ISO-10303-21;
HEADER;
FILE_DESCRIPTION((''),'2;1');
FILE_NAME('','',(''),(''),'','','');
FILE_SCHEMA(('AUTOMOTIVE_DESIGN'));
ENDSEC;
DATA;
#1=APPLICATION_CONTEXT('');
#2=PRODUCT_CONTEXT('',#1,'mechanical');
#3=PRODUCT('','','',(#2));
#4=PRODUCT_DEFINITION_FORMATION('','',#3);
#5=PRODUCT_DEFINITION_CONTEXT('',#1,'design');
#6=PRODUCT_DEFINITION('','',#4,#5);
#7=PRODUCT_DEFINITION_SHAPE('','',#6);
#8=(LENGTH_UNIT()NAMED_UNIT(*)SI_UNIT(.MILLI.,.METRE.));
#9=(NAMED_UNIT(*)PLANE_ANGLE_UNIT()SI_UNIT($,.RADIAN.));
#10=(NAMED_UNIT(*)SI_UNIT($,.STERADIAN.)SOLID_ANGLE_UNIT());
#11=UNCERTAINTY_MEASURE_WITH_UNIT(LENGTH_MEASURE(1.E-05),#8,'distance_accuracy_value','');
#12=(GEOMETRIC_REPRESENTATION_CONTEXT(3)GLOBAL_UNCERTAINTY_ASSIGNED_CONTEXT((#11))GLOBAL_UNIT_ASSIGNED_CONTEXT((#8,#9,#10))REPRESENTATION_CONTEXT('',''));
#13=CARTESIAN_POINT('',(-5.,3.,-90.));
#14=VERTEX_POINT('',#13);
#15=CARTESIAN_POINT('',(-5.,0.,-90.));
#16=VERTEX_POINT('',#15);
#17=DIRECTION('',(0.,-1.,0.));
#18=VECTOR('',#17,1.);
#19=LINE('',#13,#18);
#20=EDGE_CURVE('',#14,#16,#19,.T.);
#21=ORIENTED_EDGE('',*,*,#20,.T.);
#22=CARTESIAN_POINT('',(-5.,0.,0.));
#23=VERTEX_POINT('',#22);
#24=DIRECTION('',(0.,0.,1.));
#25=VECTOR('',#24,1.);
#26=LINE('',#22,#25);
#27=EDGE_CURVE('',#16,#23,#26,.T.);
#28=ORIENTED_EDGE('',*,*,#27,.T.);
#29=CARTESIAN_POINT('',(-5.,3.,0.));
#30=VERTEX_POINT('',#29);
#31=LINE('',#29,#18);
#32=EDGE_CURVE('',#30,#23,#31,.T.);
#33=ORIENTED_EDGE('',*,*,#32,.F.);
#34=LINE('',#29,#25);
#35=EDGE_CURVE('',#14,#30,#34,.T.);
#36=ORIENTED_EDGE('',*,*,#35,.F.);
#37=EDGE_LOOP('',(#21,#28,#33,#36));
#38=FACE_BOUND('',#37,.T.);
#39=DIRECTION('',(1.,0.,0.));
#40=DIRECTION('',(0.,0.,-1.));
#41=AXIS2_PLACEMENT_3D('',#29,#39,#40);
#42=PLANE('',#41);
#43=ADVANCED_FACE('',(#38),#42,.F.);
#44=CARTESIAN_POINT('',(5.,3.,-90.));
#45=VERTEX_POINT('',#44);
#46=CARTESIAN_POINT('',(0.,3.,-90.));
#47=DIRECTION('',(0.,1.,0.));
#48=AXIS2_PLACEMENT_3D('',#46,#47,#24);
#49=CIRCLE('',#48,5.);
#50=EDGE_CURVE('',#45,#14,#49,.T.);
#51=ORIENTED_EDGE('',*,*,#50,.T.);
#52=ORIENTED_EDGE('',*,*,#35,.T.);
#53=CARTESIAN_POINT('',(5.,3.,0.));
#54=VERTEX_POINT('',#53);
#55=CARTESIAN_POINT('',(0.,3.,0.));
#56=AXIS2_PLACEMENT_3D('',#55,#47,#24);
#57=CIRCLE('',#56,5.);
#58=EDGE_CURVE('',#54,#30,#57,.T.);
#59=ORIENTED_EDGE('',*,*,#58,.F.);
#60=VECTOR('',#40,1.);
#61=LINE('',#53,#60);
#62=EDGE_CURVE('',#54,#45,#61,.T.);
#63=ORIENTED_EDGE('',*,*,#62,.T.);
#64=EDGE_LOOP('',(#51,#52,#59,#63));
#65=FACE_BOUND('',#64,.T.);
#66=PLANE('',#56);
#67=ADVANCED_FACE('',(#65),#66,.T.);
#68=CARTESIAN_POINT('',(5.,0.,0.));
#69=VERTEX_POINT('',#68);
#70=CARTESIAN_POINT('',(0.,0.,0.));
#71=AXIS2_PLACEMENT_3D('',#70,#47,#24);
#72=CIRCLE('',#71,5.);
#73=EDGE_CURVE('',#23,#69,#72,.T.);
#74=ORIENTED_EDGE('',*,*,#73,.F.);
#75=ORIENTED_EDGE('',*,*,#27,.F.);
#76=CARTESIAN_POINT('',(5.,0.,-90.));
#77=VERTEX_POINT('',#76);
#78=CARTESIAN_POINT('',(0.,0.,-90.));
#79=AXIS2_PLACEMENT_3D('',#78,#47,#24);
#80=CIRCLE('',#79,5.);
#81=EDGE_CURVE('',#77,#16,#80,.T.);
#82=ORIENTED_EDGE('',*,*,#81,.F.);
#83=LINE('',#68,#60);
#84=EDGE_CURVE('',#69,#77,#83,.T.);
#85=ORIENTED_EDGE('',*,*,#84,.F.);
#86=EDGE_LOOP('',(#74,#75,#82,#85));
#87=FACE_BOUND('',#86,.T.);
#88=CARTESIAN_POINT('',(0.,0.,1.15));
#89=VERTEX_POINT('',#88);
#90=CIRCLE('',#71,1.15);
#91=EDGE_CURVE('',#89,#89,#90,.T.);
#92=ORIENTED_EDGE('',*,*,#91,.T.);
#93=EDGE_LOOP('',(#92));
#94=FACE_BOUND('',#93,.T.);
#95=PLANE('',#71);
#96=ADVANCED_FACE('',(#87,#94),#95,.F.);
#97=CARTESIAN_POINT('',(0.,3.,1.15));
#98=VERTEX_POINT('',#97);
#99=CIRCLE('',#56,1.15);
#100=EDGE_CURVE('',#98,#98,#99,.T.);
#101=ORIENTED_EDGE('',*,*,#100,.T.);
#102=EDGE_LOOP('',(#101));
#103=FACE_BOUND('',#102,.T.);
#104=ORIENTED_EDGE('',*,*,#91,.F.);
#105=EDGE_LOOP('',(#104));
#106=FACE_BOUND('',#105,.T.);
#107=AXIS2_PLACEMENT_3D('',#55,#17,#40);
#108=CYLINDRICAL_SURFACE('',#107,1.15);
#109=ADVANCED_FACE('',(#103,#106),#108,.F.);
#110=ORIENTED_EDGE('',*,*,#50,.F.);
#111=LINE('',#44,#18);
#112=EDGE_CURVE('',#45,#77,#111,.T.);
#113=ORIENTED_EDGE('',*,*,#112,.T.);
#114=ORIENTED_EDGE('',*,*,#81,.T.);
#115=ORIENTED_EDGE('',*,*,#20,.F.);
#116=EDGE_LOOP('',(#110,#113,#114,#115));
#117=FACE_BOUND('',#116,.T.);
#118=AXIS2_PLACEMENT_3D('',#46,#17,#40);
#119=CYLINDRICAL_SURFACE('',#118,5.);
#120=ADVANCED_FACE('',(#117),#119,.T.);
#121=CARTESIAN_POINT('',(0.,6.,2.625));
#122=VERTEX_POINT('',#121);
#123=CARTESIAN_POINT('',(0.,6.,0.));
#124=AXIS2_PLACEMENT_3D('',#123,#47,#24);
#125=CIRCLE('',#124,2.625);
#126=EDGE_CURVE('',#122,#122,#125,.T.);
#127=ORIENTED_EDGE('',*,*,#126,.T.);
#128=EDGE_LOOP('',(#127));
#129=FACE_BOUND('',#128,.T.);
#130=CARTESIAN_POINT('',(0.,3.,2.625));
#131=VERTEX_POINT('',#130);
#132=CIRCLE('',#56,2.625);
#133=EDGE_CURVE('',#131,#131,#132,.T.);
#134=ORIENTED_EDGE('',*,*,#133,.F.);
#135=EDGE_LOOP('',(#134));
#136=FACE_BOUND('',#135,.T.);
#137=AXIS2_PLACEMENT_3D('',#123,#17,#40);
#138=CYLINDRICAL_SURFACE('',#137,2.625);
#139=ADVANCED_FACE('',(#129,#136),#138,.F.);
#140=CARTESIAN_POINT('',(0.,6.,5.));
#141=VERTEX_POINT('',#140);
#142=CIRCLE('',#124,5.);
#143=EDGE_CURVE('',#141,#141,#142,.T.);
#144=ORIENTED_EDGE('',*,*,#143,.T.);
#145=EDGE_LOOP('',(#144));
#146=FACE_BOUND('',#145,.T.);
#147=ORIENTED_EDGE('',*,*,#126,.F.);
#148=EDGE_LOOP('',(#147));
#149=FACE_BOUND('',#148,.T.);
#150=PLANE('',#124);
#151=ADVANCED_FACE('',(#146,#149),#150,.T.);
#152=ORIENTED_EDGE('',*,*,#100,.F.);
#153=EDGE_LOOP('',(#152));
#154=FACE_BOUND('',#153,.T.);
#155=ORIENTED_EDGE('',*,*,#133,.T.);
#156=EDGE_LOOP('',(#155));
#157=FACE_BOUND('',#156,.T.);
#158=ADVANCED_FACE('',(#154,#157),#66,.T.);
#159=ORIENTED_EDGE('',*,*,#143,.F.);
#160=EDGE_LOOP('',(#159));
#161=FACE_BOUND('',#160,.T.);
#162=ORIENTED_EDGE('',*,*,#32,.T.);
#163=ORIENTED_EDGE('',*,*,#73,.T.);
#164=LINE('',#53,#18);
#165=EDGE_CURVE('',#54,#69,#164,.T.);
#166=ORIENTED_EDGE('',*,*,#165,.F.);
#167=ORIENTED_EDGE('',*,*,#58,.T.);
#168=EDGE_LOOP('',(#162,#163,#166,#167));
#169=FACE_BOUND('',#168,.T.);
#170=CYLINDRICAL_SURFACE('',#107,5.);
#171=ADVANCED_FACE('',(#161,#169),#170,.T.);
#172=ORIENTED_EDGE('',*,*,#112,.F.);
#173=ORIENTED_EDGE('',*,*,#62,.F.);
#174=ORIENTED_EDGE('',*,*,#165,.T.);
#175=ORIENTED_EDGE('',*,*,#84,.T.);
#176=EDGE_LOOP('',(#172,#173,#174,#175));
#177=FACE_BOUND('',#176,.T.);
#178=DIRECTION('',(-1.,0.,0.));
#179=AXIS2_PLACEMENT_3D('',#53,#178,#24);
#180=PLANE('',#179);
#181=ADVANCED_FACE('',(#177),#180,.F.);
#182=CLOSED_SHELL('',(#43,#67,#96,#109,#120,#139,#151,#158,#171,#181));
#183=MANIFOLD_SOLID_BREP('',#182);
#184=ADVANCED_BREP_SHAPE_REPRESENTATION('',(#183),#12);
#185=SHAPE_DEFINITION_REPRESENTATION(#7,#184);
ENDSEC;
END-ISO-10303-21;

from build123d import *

# Parameters (mm, degrees)
CROQUIS1_R              = 1.15
SALIENTE_EXTRUIR1_DEPTH = 3
CROQUIS2_R              = 5
CROQUIS2_R_2            = 2.625
SALIENTE_EXTRUIR2_DEPTH = 3


with BuildPart() as part:
    # Croquis1 → Saliente-Extruir1 (new body)
    with BuildSketch(Plane(origin=(0, 0, 0), x_dir=(1, 0, 0), z_dir=(0, 1, 0))):
        with BuildLine():
            Line((-5, 0), (-5, 90))
            ThreePointArc((-5, 90), (0, 95), (5, 90))
            Line((5, 90), (5, 0))
            ThreePointArc((5, 0), (0, -5), (-5, 0))
        make_face()
        with Locations(Location((0, 0, 0), (0, 0, 270))):
            Circle(CROQUIS1_R, mode=Mode.SUBTRACT)
    extrude(amount=SALIENTE_EXTRUIR1_DEPTH)

    # Croquis2 → Saliente-Extruir2 (add)
    with BuildSketch(Plane(origin=(0, 3, 0), x_dir=(1, 0, 0), z_dir=(0, 1, 0))):
        Circle(CROQUIS2_R)
        with Locations(Location((0, 0, 0), (0, 0, 270))):
            Circle(CROQUIS2_R_2, mode=Mode.SUBTRACT)
    extrude(amount=SALIENTE_EXTRUIR2_DEPTH)


solid = part.part
